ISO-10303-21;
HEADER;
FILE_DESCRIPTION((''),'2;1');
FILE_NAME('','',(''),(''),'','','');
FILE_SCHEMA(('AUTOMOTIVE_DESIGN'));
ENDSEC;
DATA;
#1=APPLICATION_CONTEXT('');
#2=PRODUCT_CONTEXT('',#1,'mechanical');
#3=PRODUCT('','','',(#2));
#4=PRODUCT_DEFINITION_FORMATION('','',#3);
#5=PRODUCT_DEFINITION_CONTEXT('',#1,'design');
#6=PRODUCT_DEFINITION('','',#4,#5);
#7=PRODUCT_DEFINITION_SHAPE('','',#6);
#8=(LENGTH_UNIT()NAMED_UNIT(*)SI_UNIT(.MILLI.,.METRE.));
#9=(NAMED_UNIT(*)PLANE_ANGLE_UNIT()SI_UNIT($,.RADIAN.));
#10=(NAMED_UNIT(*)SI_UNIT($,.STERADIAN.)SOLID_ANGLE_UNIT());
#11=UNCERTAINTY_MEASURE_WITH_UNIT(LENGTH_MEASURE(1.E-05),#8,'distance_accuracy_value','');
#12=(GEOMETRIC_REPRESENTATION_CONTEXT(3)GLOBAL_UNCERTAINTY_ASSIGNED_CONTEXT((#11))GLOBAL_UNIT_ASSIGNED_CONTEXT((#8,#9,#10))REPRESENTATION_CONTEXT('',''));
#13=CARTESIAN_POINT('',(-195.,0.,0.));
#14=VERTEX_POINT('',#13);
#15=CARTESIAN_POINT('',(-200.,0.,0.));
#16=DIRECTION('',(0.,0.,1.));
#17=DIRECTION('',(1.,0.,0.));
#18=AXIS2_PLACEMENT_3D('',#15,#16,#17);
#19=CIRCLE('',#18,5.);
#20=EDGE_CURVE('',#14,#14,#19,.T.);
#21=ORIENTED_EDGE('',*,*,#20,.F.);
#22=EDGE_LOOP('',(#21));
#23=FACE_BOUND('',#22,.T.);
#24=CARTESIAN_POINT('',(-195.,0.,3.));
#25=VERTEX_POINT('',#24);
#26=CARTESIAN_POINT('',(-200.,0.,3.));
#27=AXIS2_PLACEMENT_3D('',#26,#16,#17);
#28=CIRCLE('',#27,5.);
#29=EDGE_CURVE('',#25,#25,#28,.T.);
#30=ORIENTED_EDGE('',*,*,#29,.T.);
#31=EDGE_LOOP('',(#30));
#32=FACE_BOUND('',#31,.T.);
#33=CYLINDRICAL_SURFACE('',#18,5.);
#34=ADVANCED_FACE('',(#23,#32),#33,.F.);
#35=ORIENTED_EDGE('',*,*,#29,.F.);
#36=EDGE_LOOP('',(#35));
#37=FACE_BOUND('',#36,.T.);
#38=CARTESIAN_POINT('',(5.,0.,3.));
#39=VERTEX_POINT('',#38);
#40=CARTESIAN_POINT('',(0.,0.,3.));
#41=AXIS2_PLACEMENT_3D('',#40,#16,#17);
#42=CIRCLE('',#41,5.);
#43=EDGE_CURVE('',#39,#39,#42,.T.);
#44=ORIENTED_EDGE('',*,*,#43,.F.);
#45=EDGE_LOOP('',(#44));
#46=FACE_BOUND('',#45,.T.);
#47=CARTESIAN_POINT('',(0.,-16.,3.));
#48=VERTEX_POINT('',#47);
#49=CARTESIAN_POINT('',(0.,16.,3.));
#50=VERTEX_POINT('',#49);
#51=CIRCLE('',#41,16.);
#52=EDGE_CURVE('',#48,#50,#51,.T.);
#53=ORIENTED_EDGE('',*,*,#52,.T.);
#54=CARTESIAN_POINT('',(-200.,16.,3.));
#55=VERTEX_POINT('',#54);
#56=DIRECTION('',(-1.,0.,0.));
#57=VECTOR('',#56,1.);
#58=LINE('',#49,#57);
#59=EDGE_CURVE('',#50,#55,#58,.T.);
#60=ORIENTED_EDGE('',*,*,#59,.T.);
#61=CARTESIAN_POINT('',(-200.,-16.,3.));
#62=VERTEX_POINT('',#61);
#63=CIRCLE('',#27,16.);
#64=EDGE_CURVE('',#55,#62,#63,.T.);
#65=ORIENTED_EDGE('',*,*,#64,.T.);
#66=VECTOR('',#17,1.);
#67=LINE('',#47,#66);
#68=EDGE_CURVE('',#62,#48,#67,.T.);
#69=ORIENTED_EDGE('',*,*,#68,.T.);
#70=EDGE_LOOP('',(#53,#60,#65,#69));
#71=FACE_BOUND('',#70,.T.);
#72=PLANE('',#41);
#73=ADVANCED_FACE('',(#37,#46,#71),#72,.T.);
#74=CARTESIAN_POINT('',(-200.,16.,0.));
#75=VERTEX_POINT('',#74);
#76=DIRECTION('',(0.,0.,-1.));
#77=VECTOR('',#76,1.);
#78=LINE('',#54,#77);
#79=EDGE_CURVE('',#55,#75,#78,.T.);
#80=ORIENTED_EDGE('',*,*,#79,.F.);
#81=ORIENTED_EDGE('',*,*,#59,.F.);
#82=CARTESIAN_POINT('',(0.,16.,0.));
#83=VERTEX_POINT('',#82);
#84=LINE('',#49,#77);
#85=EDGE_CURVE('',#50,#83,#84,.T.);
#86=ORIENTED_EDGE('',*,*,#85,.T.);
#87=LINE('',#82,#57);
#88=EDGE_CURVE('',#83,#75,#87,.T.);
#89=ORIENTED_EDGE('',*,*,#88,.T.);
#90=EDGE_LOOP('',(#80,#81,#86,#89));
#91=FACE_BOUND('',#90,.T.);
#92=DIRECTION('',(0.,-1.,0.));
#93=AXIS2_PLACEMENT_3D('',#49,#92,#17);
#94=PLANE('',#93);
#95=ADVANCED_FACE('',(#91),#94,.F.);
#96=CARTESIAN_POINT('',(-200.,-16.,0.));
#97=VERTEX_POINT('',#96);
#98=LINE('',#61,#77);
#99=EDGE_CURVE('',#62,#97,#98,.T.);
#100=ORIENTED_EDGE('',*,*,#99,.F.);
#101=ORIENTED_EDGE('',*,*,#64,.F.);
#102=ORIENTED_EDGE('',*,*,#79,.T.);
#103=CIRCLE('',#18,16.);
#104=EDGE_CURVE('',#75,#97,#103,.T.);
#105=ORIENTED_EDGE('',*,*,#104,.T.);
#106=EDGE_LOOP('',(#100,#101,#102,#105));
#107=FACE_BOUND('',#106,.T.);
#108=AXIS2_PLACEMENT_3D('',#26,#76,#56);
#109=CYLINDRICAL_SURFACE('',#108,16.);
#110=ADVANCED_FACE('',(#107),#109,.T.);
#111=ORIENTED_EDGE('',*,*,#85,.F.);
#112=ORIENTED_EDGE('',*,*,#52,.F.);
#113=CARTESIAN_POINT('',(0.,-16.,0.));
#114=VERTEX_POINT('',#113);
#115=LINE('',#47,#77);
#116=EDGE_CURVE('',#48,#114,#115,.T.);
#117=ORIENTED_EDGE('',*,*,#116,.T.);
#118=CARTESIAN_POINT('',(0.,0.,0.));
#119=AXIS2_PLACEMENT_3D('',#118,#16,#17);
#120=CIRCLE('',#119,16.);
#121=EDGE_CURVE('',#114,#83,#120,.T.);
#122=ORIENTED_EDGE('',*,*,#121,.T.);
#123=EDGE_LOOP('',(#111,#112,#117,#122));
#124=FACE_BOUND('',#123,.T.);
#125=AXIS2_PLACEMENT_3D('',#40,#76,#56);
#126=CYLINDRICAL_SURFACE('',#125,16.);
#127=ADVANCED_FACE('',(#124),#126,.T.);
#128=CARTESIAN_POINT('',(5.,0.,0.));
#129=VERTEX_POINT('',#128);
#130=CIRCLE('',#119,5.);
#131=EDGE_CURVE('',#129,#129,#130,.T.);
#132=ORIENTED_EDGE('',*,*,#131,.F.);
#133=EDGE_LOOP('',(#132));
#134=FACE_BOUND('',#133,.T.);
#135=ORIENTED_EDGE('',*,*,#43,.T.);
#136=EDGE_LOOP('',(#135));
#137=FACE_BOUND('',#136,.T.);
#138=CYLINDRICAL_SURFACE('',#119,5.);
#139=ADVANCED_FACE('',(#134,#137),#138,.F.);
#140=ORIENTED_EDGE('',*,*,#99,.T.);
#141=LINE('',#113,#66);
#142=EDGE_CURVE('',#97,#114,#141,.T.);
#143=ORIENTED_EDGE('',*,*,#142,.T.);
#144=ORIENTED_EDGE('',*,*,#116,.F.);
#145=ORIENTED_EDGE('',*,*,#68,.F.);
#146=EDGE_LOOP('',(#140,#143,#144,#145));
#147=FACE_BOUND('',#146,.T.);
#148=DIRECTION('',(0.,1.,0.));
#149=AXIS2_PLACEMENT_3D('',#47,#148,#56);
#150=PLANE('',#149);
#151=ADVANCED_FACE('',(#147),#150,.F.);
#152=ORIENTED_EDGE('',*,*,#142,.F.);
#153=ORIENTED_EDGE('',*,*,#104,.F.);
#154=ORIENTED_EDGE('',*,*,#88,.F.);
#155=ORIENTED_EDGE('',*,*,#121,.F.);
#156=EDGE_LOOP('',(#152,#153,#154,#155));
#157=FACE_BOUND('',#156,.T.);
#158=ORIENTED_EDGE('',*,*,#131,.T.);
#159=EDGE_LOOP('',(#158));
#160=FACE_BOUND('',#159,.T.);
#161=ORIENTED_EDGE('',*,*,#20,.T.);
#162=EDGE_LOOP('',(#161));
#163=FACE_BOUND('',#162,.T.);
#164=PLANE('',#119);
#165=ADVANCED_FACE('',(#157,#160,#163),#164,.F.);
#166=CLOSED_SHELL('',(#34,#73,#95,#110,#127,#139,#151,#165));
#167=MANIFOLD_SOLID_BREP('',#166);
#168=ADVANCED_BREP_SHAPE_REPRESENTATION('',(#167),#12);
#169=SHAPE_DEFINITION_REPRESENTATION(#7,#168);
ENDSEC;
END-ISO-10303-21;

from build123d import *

# Parameters (mm, degrees)
EXTRUDE_1_DEPTH     = 3
SKETCH_2_R          = 5
CUT_EXTRUDE_1_DEPTH = 3


with BuildPart() as part:
    # 草图1 → 凸台-拉伸1 (new body)
    with BuildSketch(Plane.XY):
        with BuildLine():
            Line((0, -16), (-200, -16))
            ThreePointArc((-200, -16), (-216, 0), (-200, 16))
            Line((-200, 16), (0, 16))
            ThreePointArc((0, 16), (16, 0), (0, -16))
        make_face()
    extrude(amount=EXTRUDE_1_DEPTH)

    # 草图2 → 切除-拉伸1 (cut)
    with BuildSketch(Plane.XY.offset(3)):
        with Locations((-200, 0)):
            Circle(SKETCH_2_R)
        Circle(SKETCH_2_R)
    extrude(amount=-CUT_EXTRUDE_1_DEPTH, mode=Mode.SUBTRACT)


solid = part.part
